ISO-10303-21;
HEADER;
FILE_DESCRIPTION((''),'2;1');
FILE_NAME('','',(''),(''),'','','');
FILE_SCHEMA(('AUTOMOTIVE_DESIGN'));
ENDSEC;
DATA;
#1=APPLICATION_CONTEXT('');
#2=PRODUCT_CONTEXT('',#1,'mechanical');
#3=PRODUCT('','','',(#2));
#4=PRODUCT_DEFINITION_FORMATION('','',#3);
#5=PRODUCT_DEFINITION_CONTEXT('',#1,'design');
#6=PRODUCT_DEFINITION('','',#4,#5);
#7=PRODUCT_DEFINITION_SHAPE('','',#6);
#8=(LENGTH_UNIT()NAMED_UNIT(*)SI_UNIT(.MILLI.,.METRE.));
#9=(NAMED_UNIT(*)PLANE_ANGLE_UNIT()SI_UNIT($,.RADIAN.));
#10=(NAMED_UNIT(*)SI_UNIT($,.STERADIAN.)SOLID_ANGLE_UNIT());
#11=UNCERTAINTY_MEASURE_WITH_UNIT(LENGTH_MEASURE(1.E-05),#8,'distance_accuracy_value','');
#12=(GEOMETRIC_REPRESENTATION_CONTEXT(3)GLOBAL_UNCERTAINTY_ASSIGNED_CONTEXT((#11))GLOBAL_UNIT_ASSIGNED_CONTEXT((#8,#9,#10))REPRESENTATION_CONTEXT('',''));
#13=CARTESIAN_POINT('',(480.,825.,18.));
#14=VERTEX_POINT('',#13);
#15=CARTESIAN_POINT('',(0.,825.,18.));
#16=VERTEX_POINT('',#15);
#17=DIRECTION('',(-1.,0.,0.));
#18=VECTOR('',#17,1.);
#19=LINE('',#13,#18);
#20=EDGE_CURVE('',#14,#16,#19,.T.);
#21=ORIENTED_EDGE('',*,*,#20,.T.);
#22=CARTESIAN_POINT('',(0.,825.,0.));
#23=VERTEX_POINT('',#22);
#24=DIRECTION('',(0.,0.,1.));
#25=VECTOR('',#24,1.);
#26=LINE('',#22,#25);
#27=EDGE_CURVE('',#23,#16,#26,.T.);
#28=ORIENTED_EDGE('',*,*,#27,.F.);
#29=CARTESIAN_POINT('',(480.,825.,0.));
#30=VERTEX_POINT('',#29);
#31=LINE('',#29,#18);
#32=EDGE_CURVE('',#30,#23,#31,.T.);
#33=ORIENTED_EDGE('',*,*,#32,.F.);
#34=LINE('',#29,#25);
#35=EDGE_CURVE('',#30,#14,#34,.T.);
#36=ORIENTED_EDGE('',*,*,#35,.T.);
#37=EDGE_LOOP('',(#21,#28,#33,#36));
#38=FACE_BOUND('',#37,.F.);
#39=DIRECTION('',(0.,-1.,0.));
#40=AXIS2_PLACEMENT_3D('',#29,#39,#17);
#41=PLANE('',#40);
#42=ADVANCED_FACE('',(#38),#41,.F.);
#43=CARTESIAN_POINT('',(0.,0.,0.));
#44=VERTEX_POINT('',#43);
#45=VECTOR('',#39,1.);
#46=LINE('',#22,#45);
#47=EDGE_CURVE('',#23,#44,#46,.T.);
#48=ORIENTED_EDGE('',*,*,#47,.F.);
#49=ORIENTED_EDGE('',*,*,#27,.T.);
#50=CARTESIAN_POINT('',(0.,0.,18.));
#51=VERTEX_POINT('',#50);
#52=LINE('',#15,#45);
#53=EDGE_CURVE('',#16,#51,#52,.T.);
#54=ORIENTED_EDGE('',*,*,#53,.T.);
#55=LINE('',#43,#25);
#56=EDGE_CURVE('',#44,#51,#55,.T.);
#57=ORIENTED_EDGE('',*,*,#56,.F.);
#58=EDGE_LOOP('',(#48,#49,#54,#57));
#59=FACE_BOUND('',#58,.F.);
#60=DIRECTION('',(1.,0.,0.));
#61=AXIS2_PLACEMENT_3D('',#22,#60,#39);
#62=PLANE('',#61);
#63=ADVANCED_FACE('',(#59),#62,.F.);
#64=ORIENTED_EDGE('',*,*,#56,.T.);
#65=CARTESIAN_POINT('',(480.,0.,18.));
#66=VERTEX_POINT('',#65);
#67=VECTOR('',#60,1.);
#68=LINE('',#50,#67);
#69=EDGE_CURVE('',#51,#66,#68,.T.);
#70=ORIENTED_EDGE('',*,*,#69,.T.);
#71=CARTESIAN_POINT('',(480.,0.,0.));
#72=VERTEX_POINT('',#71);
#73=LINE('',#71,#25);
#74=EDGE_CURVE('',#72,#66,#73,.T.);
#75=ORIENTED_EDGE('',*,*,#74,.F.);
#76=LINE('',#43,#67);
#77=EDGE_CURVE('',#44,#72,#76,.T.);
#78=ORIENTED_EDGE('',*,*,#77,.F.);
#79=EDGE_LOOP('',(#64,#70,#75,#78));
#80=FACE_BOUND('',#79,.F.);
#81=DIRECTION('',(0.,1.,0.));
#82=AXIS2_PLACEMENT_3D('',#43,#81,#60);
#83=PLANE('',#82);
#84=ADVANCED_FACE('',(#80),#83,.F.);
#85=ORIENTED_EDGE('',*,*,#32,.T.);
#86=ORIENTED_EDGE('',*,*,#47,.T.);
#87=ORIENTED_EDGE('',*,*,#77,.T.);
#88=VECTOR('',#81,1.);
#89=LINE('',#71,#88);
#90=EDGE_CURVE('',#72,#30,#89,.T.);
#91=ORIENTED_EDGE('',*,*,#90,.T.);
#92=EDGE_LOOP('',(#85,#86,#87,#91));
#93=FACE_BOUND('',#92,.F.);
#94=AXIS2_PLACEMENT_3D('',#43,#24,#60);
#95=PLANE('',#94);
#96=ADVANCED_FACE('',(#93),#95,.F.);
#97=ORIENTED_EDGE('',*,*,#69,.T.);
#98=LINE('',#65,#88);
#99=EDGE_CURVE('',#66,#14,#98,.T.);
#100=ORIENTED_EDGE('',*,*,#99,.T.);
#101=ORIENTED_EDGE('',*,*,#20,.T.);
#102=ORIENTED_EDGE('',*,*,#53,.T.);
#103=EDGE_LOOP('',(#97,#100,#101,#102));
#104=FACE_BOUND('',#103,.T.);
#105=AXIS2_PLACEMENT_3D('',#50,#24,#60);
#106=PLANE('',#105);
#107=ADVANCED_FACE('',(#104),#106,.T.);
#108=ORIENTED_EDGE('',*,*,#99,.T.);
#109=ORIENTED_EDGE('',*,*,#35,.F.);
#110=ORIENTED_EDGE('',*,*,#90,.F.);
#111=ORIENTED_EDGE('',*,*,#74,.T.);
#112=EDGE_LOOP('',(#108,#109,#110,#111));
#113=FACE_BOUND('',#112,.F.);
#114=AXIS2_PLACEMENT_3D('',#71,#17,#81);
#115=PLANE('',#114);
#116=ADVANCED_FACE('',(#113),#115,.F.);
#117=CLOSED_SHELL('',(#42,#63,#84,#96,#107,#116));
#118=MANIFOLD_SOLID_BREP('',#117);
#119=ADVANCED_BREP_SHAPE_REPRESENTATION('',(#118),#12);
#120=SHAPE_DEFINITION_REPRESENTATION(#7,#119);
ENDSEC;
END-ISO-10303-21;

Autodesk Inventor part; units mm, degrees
ref_plane "YZ Plane" through (0, 0, 0) normal (1, 0, 0) x (0, 1, 0)
ref_plane "XZ Plane" through (0, 0, 0) normal (0, 1, 0) x (-1, 0, 0)
ref_plane "XY Plane" through (0, 0, 0) normal (0, 0, 1) x (1, 0, 0)
sketch "Sketch1" plane through (0, 0, 0) normal (0, 0, 1) x (1, 0, 0)
  line L0 (0, 0) -> (480, 0)
  line L1 (480, 0) -> (480, 825)
  line L2 (480, 825) -> (0, 825)
  line L3 (0, 825) -> (0, 0)
  dimension "d0" = 480
  dimension "d1" = 825
extrude "Extrusion1" add sketch "Sketch1" along normal blind 18
properties part number "base"
